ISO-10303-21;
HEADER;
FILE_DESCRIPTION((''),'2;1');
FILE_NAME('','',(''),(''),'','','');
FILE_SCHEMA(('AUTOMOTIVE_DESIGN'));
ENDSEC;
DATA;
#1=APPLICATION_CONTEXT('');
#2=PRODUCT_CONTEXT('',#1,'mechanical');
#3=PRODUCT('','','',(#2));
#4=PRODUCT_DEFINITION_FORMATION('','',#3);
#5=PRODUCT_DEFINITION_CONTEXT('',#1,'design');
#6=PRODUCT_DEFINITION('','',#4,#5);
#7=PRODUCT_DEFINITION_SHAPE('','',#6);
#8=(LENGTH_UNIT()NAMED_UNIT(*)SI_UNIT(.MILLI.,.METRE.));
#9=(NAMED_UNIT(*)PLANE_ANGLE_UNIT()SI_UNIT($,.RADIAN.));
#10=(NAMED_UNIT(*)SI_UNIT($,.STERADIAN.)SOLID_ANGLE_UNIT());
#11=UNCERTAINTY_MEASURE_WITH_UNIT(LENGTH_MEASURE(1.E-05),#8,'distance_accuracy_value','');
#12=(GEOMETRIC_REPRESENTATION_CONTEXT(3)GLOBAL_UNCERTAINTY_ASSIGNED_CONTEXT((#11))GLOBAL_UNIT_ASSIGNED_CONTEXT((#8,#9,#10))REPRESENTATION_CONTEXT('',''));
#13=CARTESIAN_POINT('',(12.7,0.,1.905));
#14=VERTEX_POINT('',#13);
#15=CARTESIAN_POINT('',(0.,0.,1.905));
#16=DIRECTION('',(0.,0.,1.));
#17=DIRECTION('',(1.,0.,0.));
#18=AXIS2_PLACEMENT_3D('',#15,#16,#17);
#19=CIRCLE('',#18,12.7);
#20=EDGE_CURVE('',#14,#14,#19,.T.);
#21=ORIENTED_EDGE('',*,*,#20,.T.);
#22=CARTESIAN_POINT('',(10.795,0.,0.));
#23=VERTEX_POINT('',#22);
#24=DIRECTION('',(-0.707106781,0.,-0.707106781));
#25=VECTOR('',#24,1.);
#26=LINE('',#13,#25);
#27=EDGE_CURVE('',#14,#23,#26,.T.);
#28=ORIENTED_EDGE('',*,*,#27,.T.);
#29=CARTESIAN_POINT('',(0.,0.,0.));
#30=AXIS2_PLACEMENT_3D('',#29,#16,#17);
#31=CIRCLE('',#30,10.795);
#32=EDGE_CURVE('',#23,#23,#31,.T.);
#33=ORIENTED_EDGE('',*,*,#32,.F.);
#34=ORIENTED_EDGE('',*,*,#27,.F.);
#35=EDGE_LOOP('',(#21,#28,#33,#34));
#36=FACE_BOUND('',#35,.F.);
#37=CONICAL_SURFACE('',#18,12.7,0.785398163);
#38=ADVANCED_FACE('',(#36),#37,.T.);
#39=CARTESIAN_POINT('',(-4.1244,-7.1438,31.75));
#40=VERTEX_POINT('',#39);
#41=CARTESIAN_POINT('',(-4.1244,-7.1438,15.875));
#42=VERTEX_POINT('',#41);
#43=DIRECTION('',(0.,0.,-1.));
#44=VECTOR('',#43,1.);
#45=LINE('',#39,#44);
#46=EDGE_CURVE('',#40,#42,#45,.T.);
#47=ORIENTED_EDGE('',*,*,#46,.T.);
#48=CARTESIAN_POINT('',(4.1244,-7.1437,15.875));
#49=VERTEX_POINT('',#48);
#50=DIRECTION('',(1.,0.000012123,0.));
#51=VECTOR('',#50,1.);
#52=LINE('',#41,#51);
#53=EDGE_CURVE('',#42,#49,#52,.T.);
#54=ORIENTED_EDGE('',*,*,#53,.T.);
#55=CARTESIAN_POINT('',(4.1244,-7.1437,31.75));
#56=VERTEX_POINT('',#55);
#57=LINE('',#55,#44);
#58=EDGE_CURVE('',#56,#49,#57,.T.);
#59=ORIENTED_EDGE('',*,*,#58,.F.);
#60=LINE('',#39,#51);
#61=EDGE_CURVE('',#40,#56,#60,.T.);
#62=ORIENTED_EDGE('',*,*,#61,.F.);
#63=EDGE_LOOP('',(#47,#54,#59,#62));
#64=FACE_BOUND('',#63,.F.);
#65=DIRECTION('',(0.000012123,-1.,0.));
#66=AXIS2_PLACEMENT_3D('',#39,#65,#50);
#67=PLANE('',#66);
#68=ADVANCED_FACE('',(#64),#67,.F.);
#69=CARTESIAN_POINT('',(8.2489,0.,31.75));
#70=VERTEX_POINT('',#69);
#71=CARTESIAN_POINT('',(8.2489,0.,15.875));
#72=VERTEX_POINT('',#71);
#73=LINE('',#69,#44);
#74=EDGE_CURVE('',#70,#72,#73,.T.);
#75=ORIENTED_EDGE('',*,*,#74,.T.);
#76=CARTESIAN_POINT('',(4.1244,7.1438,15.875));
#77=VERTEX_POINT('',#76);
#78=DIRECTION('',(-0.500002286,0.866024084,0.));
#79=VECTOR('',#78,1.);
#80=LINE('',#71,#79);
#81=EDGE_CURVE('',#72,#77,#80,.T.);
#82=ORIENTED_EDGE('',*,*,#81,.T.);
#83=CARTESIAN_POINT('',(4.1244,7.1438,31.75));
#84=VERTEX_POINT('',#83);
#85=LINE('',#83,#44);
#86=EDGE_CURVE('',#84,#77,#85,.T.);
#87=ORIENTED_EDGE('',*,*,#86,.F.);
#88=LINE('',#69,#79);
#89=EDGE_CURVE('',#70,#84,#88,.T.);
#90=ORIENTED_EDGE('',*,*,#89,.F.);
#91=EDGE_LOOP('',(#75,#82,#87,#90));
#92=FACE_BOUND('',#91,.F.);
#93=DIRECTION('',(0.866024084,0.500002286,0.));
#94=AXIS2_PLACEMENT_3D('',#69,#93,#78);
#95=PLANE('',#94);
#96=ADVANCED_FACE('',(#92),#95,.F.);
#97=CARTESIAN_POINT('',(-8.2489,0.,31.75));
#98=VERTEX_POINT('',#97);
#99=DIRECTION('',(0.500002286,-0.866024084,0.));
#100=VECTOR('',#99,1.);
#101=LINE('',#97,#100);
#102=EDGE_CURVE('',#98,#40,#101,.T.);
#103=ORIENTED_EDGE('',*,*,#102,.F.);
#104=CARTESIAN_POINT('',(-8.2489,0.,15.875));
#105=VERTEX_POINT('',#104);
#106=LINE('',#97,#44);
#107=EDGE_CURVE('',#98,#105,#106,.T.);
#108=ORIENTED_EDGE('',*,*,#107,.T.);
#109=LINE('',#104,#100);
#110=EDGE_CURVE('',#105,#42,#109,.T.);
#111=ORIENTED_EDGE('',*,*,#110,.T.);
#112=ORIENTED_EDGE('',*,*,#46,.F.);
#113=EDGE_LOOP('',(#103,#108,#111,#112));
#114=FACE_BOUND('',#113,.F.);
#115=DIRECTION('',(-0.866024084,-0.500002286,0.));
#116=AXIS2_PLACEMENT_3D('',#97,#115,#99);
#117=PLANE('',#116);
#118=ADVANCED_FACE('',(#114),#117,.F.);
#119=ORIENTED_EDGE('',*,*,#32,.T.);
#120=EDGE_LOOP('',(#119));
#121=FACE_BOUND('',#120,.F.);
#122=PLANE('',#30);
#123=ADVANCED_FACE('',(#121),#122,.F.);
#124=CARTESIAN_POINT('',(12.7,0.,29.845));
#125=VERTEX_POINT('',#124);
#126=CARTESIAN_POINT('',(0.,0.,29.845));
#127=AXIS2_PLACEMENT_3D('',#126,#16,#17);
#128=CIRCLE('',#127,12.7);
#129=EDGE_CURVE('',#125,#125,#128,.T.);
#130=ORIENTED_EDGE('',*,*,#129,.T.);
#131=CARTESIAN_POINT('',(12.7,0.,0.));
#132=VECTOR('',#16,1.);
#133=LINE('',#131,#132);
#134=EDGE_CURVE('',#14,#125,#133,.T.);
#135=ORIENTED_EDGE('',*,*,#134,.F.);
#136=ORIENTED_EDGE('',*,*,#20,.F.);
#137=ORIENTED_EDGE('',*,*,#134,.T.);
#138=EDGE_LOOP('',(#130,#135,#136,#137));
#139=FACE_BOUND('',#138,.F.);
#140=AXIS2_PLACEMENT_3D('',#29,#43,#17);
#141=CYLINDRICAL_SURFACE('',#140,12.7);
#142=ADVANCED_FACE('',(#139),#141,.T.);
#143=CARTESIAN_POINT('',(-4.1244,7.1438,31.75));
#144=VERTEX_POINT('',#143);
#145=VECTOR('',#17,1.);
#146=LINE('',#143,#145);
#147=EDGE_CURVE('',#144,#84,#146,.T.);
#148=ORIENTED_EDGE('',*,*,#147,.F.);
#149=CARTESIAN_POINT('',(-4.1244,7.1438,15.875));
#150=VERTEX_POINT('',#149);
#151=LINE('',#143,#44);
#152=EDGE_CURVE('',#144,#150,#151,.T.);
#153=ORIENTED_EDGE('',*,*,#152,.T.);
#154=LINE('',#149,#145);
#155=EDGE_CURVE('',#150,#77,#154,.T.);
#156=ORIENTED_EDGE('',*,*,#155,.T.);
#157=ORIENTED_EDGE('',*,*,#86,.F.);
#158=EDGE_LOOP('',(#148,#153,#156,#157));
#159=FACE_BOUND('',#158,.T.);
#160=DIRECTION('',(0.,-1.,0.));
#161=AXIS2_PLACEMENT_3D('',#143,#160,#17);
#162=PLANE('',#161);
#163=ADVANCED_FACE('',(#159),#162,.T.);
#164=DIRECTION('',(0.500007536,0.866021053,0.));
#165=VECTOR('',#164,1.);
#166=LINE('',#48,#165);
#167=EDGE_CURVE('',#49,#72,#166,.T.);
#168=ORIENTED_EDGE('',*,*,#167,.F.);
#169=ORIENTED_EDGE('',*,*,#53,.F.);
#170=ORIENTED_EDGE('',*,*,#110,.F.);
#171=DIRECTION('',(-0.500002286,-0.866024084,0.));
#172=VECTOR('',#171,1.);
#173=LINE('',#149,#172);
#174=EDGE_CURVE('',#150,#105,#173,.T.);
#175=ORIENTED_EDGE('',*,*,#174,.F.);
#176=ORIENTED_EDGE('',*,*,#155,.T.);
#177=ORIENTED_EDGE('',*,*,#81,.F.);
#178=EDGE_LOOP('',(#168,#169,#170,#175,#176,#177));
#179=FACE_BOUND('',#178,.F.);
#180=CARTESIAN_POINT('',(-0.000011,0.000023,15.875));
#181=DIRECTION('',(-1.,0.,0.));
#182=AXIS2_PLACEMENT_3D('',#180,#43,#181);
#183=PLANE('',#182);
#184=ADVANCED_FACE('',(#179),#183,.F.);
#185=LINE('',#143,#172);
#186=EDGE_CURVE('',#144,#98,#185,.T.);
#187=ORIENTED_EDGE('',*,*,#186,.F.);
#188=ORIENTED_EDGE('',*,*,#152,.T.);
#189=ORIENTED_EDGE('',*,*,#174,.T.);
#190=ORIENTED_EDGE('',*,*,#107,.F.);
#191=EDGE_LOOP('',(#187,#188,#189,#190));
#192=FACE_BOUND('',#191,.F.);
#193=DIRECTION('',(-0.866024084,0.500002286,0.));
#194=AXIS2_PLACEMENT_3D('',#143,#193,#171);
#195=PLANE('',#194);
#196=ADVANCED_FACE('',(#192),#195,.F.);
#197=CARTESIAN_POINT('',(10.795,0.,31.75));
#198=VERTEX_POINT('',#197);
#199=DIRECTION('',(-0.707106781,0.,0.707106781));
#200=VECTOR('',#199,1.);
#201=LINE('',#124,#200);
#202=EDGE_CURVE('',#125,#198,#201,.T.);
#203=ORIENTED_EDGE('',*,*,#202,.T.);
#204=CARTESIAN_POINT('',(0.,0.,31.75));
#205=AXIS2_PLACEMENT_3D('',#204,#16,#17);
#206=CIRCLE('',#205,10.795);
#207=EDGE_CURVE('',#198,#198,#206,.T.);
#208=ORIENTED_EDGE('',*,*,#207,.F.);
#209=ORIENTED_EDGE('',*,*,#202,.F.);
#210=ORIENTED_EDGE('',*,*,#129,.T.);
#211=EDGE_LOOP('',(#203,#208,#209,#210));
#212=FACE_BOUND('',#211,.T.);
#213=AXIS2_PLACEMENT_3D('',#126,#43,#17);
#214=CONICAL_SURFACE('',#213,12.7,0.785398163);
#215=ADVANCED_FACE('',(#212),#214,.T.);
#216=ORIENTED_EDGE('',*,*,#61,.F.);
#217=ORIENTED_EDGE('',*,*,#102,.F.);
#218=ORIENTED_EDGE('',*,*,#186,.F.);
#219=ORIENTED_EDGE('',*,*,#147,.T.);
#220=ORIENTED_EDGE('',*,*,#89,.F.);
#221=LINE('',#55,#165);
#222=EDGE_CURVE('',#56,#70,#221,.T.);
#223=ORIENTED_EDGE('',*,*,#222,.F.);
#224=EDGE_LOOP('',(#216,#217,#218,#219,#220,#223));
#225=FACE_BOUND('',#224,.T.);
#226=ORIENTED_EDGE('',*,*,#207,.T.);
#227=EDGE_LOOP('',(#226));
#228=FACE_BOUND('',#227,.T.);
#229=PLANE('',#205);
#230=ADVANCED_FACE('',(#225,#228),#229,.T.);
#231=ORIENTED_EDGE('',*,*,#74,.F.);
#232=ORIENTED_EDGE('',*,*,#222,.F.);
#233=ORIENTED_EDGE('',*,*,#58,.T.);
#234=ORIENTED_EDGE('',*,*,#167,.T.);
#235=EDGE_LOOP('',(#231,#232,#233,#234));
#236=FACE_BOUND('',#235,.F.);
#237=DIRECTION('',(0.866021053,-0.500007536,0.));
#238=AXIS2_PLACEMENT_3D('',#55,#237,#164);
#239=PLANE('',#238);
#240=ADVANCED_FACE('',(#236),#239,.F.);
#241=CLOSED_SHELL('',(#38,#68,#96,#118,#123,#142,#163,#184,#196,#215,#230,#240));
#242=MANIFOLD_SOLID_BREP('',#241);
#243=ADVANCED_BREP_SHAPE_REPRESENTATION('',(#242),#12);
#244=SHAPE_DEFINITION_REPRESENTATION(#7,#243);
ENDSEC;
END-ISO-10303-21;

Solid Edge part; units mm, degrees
sketch "Sketch1" plane through (0, 0, 0) normal (0, 0, 1) x (1, 0, 0)
  circle A0 centre (0, 0) radius 12.7
  dimension "D1" = 25.4
extrude "Protrusion1" add sketch "Sketch1" along normal blind 31.75
chamfer "Chamfer1" distance 1.905 angle 45 2 edges at (-12.7, 0, 0) (-12.7, 0, 31.75)
sketch "Sketch2" plane through (0, 0, 31.75) normal (0, 0, 1) x (1, 0, 0)
  line L0 (-4.1244, 7.1438) -> (4.1244, 7.1438)
  line L1 (8.2489, 0) -> (4.1244, 7.1437)
  line L2 (4.1244, -7.1437) -> (8.2489, 0)
  line L3 (-4.1244, -7.1438) -> (4.1244, -7.1438)
  line L4 (-8.2489, 0) -> (-4.1244, -7.1437)
  line L5 (-4.1244, 7.1437) -> (-8.2489, 0)
  dimension "D1" = 14.2875
extrude "Cutout1" cut sketch "Sketch2" against normal blind 15.875
properties part number "24107435"
